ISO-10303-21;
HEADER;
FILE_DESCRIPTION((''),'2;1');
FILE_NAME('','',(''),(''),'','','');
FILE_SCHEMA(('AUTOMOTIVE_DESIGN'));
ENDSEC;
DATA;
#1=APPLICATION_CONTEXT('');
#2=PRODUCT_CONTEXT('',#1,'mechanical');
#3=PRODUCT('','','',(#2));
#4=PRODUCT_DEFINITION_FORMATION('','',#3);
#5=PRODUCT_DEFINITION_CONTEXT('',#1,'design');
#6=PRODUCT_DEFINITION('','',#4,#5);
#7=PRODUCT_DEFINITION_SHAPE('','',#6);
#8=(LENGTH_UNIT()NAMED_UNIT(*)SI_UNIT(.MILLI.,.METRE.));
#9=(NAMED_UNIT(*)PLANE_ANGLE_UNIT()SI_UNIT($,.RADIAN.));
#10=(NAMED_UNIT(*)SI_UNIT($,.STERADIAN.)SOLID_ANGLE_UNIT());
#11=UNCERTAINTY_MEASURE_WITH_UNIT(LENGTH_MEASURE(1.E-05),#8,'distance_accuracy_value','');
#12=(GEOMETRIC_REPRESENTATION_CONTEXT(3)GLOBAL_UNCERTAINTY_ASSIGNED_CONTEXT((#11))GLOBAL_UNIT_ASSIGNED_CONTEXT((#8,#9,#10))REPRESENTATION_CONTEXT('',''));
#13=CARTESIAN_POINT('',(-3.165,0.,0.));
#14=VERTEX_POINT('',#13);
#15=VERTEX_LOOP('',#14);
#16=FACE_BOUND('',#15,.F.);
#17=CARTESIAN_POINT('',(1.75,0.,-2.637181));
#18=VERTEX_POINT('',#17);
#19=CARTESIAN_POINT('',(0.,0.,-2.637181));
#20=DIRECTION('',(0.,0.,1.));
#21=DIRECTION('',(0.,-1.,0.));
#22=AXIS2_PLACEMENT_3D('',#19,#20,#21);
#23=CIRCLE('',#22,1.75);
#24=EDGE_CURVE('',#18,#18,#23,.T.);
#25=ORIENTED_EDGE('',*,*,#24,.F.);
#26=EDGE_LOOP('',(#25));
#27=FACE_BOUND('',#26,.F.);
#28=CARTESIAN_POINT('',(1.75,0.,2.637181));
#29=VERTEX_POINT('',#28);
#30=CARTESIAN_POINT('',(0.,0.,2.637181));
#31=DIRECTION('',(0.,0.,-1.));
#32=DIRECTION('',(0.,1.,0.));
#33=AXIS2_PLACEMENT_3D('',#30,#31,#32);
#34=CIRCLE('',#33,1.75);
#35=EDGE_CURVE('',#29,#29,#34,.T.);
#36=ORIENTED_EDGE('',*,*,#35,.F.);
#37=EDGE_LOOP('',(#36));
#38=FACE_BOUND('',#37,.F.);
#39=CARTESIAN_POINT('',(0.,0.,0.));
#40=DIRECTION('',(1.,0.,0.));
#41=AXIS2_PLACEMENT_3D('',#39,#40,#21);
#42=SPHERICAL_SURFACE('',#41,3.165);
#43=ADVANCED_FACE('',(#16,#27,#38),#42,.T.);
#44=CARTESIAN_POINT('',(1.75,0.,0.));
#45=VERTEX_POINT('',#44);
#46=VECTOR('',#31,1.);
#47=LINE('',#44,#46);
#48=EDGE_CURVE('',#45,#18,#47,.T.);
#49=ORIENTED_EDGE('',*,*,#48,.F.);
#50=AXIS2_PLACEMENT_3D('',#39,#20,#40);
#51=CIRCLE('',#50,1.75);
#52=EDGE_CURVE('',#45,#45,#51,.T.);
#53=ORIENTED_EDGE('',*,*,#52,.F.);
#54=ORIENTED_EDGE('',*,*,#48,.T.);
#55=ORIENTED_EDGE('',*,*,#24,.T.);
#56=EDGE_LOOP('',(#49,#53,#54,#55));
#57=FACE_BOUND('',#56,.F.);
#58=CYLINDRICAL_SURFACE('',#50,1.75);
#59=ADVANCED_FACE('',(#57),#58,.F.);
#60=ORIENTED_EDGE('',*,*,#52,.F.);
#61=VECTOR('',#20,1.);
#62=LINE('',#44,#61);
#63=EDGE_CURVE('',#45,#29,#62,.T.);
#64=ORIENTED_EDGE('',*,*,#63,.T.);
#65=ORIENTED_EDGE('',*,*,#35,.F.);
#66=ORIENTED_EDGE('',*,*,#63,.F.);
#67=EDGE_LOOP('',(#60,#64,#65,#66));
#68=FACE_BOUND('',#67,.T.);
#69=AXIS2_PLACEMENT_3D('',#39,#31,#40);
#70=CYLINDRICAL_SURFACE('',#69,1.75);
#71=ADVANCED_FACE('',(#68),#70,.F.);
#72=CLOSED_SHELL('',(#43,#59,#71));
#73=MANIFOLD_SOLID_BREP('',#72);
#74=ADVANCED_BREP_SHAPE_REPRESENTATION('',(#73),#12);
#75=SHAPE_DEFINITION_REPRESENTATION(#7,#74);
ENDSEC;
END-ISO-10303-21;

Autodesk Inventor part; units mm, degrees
ref_plane "YZ Plane" through (0, 0, 0) normal (1, 0, 0) x (0, 1, 0)
ref_plane "XZ Plane" through (0, 0, 0) normal (0, 1, 0) x (-1, 0, 0)
ref_plane "XY Plane" through (0, 0, 0) normal (0, 0, 1) x (1, 0, 0)
sketch "Sketch1" plane through (0, 0, 0) normal (0, 0, 1) x (1, 0, 0)
  circle A0 centre (0, 0) radius 3.165
  line L0 (3.165, 0) -> (-3.165, 0)
  dimension "d0" = 6.33
revolve "Revolution1" add sketch "Sketch1" angle 360 about axis through (3.165, 0, 0) along (-1, 0, 0) picked at (-0.63, -1.1207) contours A0 L0
sketch "Sketch2" plane through (0, 0, 0) normal (0, 0, 1) x (1, 0, 0)
  circle A0 centre (0, 0) radius 1.75
  dimension "d2" = 3.5
extrude "Extrusion1" cut sketch "Sketch2" along normal mid plane 10
properties part number "Bearing"
